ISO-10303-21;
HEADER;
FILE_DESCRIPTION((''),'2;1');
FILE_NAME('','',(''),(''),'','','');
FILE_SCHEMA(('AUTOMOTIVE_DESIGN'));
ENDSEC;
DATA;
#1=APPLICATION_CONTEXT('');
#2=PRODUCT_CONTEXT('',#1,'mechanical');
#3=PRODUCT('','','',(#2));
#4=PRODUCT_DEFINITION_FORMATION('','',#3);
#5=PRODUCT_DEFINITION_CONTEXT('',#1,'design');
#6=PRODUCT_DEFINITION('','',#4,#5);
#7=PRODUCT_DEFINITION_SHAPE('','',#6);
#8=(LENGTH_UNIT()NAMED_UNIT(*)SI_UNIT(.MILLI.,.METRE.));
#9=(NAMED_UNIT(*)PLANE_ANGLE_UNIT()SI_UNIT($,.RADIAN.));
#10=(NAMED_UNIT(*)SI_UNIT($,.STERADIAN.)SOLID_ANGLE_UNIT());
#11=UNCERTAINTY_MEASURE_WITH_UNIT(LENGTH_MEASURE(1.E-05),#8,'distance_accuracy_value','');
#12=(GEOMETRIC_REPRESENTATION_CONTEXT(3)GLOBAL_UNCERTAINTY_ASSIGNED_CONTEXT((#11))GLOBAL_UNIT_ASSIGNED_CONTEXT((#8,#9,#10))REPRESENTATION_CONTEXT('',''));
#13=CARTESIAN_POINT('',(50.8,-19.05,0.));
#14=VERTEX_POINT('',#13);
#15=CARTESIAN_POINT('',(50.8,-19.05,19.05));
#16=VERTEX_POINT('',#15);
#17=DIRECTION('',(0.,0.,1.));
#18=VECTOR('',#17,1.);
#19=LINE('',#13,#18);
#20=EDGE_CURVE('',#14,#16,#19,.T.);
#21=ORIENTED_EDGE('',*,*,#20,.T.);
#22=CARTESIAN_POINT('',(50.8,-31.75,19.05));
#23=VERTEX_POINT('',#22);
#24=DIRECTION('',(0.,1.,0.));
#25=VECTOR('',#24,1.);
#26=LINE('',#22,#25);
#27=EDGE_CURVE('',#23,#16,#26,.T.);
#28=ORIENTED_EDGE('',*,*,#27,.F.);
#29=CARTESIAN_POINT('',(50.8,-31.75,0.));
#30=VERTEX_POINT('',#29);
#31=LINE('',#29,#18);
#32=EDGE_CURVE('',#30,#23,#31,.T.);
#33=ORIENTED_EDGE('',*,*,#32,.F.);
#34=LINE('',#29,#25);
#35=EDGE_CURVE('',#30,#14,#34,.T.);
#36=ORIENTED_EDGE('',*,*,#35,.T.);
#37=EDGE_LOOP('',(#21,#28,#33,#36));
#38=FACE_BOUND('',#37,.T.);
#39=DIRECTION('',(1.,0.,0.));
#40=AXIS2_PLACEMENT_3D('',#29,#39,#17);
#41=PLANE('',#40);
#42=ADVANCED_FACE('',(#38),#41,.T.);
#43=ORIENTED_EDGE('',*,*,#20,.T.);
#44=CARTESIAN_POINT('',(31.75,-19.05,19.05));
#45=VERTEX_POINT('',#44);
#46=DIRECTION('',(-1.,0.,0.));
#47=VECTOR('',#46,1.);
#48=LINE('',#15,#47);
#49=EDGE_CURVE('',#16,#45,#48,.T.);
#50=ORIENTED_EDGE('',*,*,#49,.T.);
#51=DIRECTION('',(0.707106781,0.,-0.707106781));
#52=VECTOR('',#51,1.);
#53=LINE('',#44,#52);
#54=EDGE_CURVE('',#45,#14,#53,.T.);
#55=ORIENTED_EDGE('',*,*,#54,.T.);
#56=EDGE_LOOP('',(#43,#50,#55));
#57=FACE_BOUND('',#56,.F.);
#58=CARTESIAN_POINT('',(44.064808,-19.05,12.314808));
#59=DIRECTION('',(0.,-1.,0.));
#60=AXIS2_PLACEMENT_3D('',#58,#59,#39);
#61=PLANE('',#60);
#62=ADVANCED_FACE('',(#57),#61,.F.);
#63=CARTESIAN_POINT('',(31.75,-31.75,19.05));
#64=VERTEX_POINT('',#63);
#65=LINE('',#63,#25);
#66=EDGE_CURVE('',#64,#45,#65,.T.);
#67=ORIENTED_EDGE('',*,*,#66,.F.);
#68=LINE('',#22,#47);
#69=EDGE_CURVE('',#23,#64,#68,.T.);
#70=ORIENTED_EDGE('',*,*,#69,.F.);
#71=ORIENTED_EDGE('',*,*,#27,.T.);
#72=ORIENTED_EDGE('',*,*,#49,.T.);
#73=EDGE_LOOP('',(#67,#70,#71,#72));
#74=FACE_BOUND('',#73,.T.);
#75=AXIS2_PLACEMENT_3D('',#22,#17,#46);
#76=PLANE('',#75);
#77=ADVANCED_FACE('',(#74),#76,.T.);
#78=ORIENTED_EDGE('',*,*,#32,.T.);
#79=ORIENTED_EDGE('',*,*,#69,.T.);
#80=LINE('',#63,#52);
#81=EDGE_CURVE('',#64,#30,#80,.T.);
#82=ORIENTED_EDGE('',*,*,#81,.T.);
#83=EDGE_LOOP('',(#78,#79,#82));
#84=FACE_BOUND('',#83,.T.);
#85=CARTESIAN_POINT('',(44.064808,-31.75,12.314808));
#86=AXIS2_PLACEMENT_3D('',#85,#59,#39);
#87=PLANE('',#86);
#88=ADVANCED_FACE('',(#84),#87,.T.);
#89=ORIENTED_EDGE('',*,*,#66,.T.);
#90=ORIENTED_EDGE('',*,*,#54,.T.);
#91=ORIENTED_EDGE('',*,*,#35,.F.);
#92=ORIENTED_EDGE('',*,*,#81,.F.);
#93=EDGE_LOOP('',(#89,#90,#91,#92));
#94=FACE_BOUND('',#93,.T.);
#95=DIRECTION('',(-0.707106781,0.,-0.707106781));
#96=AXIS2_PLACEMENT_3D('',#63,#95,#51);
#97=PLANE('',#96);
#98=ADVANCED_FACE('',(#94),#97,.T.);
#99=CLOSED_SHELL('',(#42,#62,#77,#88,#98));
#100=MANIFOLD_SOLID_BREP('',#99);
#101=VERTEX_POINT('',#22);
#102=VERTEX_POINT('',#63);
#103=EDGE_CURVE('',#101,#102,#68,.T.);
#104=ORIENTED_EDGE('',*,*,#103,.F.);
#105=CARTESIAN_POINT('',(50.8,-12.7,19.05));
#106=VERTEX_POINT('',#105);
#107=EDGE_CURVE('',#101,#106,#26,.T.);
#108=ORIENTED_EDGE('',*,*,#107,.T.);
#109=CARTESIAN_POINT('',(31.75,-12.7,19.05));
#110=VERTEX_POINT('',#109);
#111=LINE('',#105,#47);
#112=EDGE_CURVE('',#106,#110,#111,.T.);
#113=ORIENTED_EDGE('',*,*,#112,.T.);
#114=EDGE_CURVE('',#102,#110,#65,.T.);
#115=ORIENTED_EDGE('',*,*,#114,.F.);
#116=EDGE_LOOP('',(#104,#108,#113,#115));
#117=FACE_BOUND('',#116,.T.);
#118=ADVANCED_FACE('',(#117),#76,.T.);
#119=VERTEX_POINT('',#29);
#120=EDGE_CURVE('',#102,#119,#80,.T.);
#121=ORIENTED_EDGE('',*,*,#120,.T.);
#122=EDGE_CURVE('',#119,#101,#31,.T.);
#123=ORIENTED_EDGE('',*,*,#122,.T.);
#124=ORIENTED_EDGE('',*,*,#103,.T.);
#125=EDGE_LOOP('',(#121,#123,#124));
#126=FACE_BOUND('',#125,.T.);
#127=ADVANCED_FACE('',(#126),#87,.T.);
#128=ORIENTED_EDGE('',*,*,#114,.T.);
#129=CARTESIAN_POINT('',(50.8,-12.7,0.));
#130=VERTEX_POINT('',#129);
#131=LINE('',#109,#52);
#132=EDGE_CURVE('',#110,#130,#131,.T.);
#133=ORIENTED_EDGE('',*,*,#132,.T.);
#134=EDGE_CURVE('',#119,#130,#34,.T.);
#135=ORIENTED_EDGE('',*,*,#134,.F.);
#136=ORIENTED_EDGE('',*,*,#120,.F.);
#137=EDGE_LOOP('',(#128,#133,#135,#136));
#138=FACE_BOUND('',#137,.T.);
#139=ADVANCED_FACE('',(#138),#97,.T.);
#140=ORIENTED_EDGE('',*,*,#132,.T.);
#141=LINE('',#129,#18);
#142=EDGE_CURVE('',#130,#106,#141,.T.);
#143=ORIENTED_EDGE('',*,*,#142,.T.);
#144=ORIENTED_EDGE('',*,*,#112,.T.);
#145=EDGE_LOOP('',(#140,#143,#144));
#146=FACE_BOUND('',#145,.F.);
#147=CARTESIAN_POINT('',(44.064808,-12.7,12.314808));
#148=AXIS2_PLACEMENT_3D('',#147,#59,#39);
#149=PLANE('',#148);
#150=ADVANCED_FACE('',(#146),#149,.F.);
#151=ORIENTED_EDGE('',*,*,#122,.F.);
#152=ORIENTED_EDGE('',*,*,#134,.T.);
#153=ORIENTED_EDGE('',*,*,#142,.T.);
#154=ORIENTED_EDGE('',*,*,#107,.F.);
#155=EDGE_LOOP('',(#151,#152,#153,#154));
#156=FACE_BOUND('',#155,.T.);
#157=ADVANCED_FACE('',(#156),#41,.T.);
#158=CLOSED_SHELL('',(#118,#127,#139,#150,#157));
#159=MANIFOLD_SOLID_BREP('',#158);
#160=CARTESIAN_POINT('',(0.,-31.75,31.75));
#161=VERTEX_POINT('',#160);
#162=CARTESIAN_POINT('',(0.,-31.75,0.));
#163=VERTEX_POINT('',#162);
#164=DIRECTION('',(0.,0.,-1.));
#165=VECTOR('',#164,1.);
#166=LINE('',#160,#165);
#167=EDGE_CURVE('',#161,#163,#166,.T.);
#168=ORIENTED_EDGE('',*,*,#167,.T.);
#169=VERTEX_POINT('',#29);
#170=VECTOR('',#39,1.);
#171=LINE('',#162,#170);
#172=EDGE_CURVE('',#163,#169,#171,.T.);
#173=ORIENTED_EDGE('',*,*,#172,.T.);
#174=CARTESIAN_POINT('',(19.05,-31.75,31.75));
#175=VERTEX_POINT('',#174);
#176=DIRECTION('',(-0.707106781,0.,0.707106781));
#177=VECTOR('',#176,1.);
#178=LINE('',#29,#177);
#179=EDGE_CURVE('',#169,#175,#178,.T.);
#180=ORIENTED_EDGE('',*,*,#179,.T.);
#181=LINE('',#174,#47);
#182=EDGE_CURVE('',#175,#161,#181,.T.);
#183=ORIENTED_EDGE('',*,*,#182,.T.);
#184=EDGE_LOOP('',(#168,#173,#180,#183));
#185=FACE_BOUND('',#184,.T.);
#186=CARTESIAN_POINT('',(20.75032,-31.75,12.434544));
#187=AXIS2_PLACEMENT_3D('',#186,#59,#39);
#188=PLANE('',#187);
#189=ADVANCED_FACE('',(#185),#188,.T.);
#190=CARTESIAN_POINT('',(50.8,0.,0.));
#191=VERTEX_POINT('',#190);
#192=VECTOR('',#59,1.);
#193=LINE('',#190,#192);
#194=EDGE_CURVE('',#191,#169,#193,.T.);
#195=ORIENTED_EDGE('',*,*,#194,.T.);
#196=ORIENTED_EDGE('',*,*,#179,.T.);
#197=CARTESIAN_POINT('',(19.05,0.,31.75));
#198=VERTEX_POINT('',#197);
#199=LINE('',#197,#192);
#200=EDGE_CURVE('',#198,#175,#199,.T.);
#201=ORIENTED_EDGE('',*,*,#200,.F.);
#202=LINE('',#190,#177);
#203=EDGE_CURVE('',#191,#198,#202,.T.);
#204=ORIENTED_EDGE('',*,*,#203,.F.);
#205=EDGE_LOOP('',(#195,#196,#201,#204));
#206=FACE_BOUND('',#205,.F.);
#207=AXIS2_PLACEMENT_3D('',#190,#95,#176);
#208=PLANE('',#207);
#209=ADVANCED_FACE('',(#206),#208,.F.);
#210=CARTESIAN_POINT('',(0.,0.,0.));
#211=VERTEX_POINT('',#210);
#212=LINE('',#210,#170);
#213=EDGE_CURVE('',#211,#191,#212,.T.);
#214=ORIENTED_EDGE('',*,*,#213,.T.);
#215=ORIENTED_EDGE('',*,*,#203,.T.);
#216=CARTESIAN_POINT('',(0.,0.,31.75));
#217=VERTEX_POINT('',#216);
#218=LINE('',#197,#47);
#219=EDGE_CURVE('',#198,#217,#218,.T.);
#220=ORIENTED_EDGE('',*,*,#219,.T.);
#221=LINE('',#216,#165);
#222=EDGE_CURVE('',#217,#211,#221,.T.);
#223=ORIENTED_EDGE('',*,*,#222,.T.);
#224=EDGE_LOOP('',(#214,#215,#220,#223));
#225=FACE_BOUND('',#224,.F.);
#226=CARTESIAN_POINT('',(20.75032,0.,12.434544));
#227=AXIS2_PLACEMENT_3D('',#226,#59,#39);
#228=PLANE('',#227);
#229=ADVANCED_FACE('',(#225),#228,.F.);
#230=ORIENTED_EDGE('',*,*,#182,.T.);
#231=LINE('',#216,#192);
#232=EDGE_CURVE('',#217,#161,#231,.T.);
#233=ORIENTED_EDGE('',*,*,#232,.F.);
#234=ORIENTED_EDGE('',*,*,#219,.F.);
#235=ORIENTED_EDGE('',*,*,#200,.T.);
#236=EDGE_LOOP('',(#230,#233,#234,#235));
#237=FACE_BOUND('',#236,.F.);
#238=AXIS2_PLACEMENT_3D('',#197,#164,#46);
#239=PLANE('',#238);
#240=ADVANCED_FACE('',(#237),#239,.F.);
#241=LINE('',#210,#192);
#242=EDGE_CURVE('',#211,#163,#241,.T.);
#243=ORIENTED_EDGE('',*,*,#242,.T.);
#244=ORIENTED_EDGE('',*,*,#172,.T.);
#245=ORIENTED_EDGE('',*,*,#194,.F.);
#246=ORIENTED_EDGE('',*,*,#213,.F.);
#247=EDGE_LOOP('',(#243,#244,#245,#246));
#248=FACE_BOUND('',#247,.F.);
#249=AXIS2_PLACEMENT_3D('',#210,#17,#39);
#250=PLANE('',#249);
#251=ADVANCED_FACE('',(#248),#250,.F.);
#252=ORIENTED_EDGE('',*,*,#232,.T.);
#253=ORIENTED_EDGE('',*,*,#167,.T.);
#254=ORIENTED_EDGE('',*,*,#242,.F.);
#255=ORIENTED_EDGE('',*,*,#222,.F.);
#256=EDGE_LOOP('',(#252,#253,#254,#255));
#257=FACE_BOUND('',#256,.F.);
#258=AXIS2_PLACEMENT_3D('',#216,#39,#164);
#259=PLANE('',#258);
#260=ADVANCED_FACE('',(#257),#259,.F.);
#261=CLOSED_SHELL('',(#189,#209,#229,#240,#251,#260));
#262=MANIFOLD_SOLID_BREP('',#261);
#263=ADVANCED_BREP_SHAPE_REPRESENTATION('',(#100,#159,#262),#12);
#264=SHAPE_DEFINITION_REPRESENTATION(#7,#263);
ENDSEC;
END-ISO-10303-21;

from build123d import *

# Parameters (mm, degrees)
F1_DEPTH = 31.75
F3_DEPTH = 19.05
F5_DEPTH = 12.7


with BuildPart() as f1:
    # F0 (on Front) → F1 (new body)
    with BuildSketch(Plane.XZ):
        Polygon((19.05, 31.75), (0, 31.75), (0, 0), (50.8, 0), align=None)
    extrude(amount=F1_DEPTH)


with BuildPart() as f3:
    # F2 (on face) → F3 (new body)
    with BuildSketch(Plane.XZ.offset(31.75)):
        Polygon((50.8, 19.05), (31.75, 19.05), (50.8, 0), align=None)
    extrude(amount=-F3_DEPTH)


with BuildPart() as f5:
    # F4 (on face) → F5 (new body)
    with BuildSketch(Plane.XZ.offset(31.75)):
        Polygon((50.8, 19.05), (31.75, 19.05), (50.8, 0), align=None)
    extrude(amount=-F5_DEPTH)


solid = Compound([f1.part, f3.part, f5.part])
